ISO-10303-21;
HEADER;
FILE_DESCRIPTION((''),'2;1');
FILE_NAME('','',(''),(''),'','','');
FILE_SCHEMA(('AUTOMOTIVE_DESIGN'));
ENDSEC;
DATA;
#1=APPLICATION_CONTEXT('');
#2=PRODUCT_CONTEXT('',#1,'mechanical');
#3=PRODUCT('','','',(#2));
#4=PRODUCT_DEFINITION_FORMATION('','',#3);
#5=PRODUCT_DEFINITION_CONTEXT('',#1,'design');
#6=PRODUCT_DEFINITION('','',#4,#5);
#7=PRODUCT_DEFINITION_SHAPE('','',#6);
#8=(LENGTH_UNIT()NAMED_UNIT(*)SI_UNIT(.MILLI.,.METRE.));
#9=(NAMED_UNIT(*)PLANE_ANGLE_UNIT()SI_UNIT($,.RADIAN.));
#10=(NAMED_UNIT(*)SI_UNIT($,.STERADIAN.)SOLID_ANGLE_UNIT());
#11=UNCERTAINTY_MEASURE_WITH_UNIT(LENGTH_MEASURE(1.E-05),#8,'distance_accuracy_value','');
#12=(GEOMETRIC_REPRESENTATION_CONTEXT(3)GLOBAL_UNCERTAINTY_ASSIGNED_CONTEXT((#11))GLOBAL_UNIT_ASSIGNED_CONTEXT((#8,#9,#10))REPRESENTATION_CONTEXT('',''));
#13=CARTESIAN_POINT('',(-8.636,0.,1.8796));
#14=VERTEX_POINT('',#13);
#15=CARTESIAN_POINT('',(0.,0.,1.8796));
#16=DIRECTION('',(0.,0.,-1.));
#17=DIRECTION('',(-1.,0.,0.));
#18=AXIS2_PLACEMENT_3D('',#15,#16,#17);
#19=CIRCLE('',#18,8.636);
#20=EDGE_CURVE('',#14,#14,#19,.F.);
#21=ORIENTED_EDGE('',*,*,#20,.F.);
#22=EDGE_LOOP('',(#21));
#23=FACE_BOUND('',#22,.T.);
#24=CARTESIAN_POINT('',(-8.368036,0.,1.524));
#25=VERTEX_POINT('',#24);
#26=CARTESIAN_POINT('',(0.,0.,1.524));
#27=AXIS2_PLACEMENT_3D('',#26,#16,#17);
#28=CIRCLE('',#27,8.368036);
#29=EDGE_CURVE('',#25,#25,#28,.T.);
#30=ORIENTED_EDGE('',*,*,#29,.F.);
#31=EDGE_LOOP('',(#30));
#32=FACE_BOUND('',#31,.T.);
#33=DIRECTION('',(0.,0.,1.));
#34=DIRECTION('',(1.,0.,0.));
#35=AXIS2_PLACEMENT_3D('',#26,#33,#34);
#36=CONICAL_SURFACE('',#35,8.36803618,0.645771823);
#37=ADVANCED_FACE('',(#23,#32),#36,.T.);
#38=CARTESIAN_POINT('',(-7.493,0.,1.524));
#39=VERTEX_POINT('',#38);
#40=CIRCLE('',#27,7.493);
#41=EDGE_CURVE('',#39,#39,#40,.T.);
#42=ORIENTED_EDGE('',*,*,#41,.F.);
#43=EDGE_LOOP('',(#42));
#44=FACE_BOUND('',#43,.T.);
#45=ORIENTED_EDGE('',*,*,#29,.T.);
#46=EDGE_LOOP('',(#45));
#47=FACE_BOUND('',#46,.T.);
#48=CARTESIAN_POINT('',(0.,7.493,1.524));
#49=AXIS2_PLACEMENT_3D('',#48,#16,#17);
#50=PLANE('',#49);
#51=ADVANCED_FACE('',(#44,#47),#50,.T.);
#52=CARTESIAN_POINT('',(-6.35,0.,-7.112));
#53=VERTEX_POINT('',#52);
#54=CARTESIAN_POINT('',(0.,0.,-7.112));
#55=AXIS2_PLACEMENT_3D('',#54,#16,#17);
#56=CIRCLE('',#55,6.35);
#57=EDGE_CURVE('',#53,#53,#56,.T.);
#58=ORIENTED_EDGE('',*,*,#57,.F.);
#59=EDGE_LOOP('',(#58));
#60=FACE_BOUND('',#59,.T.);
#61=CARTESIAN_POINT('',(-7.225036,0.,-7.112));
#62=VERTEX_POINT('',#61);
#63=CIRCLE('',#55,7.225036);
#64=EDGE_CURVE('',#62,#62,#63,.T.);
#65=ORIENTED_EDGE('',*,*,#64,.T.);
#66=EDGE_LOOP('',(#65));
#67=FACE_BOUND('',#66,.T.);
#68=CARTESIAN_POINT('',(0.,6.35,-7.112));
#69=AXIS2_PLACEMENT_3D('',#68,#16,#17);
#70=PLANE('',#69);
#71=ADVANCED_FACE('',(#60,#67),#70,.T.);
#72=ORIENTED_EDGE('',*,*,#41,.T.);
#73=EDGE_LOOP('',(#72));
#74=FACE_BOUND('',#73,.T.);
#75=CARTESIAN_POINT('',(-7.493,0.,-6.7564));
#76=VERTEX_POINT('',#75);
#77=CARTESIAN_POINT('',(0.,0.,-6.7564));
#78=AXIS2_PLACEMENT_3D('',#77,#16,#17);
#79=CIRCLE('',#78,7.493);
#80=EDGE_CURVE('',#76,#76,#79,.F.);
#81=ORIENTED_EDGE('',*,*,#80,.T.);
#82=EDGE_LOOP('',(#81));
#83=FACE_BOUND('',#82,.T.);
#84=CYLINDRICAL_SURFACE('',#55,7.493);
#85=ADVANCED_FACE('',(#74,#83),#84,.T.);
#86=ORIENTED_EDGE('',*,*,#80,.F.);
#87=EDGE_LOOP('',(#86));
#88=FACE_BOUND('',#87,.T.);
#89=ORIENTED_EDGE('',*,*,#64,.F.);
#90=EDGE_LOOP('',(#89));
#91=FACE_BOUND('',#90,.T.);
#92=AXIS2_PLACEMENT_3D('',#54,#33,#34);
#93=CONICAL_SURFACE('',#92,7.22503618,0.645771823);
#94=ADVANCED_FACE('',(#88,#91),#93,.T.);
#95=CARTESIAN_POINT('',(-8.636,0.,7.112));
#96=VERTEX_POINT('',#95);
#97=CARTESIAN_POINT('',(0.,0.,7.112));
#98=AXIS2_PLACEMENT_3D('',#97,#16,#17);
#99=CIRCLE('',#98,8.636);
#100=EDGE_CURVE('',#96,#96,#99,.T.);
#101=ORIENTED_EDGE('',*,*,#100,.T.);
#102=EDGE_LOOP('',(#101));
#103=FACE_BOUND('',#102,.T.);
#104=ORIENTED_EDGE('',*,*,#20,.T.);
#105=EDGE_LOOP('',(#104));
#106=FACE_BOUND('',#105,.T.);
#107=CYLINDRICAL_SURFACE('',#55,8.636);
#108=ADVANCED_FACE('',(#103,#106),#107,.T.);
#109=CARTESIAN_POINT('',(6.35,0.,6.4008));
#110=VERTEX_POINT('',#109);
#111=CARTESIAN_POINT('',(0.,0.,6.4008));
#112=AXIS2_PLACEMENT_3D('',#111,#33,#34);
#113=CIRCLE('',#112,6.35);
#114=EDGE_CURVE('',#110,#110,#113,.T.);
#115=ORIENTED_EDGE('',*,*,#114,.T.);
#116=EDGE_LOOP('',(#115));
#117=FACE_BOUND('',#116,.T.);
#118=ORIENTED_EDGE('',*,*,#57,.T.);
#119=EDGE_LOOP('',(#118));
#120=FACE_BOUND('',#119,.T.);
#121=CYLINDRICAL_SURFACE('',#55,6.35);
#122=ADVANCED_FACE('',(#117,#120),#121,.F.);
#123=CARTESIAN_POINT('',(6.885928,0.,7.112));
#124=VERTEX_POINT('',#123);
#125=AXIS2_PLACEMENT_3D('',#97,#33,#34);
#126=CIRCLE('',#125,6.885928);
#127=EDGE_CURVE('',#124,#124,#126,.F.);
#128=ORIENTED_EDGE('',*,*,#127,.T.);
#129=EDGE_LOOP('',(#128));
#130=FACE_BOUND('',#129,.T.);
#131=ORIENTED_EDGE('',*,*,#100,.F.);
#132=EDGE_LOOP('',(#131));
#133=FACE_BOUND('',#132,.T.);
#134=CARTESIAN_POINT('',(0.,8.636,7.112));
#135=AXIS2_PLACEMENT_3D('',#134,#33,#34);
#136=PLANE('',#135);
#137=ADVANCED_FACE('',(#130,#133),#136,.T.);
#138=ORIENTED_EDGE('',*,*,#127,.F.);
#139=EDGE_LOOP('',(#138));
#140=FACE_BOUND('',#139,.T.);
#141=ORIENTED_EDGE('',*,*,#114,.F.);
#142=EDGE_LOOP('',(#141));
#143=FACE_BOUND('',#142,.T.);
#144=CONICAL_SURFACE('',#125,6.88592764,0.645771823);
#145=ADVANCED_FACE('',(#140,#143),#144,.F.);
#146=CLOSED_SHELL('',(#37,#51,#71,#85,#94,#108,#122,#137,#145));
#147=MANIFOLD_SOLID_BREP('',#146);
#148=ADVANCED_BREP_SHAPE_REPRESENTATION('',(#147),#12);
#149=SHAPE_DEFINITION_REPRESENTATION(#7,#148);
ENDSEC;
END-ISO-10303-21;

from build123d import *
from OCP.BRepFilletAPI import BRepFilletAPI_MakeChamfer

# Parameters (mm, degrees)
CHAMFER1_SIZE  = 0.7112
CHAMFER1_SIZE2 = 0.53592764
CHAMFER2_SIZE  = 0.3556
CHAMFER2_SIZE2 = 0.26796382


with BuildPart() as part:
    # Sketch2 → Revolve1 (revolve)
    with BuildSketch(Plane(origin=(0, 0, 0), x_dir=(0, 0, -1), z_dir=(1, 0, 0)), mode=Mode.PRIVATE) as revolve1_sk:
        Polygon((7.112, 6.35), (7.112, 7.493), (-1.524, 7.493), (-1.524, 8.636), (-7.112, 8.636), (-7.112, 6.35), align=None)
    revolve(revolve1_sk.sketch.rotate(Axis((0, 0, -7.112), (0, 0, 1)), 90), axis=Axis((0, 0, -7.112), (0, 0, 1)))

    # Chamfer1
    chamfer1_edges = [part.edges().sort_by_distance(p)[0] for p in [
        (6.35, 0, 7.112),
    ]]
    chamfer1_side = [part.faces().sort_by_distance(p)[0] for p in [
        (6.35, 0, 0),
    ]]
    chamfer(chamfer1_edges, length=CHAMFER1_SIZE, length2=CHAMFER1_SIZE2, reference=chamfer1_side[0])

    # Chamfer2: one chamfer whose edges measure the first distance from different faces: ONE call of the kernel's chamfer builder (chamfer() names one face for all edges)
    chamfer2_edges_1 = [part.edges().sort_by_distance(p)[0] for p in [
        (8.636, 0, 1.524),
    ]]
    chamfer2_side_1 = [part.faces().sort_by_distance(p)[0] for p in [
        (8.636, 0, 4.318),
    ]]
    chamfer2_edges_2 = [part.edges().sort_by_distance(p)[0] for p in [
        (7.493, 0, -7.112),
    ]]
    chamfer2_side_2 = [part.faces().sort_by_distance(p)[0] for p in [
        (7.493, 0, -2.794),
    ]]
    chamfer2 = BRepFilletAPI_MakeChamfer(part.part.solid().wrapped)
    for e in chamfer2_edges_1:
        chamfer2.Add(CHAMFER2_SIZE, CHAMFER2_SIZE2, e.wrapped, chamfer2_side_1[0].wrapped)  # the first distance lies on this face
    for e in chamfer2_edges_2:
        chamfer2.Add(CHAMFER2_SIZE, CHAMFER2_SIZE2, e.wrapped, chamfer2_side_2[0].wrapped)  # the first distance lies on this face
    add(Compound.cast(chamfer2.Shape()), mode=Mode.REPLACE)


solid = part.part
